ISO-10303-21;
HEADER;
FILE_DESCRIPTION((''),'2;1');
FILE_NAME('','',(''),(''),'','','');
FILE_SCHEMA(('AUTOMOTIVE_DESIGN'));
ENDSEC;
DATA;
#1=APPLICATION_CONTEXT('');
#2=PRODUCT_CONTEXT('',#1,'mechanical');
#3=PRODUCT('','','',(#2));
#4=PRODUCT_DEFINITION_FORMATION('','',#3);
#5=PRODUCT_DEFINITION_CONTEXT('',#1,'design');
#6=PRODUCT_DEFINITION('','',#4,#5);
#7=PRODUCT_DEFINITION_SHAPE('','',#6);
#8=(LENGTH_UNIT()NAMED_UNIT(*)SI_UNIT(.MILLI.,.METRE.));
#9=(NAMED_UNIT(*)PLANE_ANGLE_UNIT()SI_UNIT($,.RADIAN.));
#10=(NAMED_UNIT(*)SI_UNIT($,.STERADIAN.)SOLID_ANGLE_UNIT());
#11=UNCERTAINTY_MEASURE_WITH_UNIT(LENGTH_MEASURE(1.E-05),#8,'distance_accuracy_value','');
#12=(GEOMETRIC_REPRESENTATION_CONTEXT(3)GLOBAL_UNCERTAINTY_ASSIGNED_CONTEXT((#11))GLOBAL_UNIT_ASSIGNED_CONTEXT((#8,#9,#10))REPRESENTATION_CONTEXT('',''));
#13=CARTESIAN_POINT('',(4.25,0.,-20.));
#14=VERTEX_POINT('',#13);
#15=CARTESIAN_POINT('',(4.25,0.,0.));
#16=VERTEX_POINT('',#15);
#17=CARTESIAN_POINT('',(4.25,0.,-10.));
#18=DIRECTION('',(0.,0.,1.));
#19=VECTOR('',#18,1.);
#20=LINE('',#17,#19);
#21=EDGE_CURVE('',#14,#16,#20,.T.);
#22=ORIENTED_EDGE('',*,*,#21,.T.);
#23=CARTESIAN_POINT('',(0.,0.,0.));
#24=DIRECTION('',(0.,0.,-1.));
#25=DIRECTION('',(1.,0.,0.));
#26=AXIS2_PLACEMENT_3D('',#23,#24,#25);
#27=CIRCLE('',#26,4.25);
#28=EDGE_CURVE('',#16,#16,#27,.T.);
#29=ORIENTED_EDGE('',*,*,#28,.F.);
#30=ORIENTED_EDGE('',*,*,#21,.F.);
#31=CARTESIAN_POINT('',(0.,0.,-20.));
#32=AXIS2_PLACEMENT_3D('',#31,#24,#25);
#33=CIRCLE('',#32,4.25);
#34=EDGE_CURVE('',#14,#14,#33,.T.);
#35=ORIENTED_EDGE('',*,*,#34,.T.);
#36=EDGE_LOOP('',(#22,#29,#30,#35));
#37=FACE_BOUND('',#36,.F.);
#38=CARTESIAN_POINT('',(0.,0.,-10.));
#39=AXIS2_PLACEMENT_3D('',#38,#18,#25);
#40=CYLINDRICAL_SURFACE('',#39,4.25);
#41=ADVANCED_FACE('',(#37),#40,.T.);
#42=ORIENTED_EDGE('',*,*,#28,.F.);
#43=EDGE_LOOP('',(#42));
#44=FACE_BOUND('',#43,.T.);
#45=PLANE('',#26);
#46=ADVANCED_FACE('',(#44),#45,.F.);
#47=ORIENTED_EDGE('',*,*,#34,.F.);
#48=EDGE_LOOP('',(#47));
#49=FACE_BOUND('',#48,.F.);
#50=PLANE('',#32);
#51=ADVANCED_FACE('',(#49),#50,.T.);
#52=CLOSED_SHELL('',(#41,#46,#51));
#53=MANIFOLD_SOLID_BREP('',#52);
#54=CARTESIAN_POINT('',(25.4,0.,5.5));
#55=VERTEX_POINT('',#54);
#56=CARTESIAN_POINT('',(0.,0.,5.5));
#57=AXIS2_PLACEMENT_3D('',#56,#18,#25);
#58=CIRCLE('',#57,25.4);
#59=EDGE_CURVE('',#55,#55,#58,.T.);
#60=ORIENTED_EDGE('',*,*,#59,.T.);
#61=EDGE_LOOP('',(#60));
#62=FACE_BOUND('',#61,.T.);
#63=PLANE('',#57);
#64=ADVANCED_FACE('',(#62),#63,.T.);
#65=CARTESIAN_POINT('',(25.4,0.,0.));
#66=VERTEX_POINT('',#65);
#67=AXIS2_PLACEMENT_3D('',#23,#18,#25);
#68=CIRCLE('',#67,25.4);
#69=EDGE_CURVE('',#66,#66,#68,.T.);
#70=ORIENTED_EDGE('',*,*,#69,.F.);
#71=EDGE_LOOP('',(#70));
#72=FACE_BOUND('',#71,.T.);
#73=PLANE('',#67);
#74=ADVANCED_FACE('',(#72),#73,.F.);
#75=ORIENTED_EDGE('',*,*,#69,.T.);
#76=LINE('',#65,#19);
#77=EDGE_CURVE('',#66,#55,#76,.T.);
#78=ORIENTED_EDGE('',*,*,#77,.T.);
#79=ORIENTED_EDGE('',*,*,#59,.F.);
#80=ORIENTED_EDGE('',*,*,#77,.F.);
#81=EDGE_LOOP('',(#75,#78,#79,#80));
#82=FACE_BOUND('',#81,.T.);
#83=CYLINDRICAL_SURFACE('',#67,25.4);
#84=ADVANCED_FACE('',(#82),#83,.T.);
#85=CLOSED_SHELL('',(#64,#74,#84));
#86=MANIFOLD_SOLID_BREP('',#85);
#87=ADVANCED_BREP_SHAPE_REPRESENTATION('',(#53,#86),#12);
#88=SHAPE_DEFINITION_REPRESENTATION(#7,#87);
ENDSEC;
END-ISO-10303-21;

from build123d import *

# Parameters (mm, degrees)
F0_W = 4.25
F0_H = 20


with BuildPart() as f1:
    # F0 (on Front) → F1 (revolve)
    with BuildSketch(Plane.XZ):
        with Locations((2.125, -10)):
            Rectangle(F0_W, F0_H)
    revolve(axis=Axis((0, 0, -10), (0, 0, -1)))


with BuildPart() as f2:
    # F0 (on Front) → F2 (revolve)
    with BuildSketch(Plane.XZ):
        Polygon((0, 5.5), (0, 0), (4.25, 0), (25.4, 0), (25.4, 5.5), align=None)
    revolve(axis=Axis((0, 0, 2.75), (0, 0, 1)))


solid = Compound([f1.part, f2.part])
